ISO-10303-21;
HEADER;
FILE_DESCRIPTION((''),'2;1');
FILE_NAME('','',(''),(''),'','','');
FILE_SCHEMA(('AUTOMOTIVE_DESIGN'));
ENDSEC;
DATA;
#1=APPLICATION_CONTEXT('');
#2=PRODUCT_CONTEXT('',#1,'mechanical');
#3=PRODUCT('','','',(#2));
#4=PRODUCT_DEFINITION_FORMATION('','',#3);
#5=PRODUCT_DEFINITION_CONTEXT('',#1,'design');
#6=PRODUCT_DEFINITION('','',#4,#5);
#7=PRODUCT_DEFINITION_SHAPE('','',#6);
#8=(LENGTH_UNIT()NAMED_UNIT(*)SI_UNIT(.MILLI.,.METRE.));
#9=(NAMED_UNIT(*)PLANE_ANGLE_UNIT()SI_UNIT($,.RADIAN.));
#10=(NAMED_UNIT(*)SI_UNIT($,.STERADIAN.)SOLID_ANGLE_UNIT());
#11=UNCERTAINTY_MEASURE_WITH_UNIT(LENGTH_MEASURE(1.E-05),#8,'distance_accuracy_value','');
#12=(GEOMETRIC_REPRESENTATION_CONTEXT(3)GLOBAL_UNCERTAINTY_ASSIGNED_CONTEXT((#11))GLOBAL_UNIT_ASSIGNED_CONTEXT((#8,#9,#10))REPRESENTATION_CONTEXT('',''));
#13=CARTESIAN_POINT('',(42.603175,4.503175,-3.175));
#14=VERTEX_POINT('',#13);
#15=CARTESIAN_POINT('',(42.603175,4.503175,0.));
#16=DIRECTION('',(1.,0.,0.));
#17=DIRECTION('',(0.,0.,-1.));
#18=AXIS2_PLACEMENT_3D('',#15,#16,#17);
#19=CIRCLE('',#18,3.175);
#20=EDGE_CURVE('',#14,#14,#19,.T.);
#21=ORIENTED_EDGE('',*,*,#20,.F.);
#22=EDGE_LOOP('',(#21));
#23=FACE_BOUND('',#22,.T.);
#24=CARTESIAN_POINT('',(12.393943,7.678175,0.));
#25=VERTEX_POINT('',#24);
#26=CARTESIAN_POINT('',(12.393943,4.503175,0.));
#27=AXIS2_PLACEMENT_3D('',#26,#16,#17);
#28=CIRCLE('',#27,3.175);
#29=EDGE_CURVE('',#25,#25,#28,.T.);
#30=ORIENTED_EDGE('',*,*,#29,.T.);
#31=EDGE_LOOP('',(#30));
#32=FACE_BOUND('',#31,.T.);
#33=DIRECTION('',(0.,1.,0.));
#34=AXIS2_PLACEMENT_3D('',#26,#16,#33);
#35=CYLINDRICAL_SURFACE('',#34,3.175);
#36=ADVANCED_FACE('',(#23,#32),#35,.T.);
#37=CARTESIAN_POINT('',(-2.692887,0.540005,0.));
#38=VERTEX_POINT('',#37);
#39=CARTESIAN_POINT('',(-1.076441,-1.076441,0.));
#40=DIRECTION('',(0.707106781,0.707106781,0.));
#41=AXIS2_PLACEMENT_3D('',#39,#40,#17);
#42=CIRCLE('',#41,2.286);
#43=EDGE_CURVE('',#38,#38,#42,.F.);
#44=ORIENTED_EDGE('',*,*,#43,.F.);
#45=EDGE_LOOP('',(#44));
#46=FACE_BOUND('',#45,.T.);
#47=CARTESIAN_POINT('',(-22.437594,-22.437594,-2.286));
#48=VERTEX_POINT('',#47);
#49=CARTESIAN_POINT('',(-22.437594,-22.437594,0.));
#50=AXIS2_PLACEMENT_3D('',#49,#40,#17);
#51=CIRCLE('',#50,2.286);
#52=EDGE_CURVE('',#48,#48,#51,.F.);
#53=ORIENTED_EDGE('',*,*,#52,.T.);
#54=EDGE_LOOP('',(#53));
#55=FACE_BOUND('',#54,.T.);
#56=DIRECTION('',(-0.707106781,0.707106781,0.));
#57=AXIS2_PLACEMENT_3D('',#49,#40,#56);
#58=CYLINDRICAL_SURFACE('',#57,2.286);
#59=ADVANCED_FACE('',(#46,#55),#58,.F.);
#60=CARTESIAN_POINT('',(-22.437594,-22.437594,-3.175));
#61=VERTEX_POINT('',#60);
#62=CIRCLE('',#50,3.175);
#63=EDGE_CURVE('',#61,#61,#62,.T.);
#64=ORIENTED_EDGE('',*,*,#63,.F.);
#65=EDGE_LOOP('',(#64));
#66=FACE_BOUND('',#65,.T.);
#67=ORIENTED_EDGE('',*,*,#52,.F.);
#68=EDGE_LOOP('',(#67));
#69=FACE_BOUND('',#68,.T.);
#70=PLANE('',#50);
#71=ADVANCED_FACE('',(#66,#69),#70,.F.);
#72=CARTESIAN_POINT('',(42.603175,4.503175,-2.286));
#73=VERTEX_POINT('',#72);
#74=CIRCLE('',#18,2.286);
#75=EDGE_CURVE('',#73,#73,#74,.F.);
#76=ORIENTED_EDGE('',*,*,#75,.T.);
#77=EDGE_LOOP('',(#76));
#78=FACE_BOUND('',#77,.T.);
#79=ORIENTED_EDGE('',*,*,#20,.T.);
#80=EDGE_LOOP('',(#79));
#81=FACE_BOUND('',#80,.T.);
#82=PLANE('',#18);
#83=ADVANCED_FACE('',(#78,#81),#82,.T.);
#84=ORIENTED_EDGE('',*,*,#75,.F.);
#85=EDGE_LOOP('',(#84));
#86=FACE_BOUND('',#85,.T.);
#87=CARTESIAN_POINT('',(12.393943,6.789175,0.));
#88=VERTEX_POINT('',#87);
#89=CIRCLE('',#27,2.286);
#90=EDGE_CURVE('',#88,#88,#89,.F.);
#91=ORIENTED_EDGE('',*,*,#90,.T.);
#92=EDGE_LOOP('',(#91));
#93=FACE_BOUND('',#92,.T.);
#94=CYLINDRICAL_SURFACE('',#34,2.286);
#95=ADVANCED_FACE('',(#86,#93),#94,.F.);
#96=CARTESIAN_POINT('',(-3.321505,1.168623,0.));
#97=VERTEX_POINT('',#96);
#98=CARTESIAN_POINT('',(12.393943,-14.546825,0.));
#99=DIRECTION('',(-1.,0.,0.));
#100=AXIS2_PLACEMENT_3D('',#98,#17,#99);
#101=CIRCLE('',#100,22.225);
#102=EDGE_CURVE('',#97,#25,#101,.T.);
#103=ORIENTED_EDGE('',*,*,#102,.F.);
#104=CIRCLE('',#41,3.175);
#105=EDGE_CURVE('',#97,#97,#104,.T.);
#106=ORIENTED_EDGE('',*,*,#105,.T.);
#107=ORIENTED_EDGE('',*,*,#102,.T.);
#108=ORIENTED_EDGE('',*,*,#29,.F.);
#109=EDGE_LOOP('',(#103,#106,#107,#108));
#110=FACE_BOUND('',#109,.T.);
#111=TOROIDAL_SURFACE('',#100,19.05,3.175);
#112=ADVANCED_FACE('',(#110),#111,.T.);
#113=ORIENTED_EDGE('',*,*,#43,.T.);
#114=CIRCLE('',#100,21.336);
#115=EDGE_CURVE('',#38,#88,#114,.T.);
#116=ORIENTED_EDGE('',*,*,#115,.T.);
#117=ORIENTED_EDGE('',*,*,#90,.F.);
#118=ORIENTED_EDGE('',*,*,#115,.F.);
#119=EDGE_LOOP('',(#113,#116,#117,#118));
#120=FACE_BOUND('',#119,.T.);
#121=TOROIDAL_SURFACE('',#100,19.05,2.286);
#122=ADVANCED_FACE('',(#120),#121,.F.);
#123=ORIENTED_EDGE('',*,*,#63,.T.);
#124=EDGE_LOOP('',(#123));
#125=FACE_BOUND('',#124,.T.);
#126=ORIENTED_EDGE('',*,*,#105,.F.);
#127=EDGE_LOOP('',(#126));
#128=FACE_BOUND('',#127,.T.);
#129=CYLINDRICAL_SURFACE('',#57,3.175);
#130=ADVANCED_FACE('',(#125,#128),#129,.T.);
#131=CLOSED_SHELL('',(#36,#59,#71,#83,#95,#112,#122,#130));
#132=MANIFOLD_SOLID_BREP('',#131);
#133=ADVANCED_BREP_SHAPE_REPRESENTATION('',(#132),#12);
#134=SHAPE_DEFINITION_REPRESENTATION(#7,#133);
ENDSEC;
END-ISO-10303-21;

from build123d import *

# Parameters (mm, degrees)
SKETCH2_R   = 3.175
SKETCH2_R_2 = 2.286


with BuildPart() as part:
    # Sweep1: sweep along a path in Sketch1
    with BuildLine(Plane.XY) as sweep1_path:
        Line((-22.437593841, -22.437593841), (-1.076441297, -1.076441297))
        ThreePointArc((-1.076441297, -1.076441297), (5.103823498, 3.053079616), (12.393942885, 4.503174522))
        Line((12.393942885, 4.503174522), (42.603174522, 4.503174522))
    # Sketch2 → Sweep1 (sweep)
    with BuildSketch(Plane(origin=(42.603174522, 4.503174522, 0), x_dir=(0, 0, -1), z_dir=(1, 0, 0))):
        Circle(SKETCH2_R)
        Circle(SKETCH2_R_2, mode=Mode.SUBTRACT)
    sweep(path=sweep1_path.line)


solid = part.part
